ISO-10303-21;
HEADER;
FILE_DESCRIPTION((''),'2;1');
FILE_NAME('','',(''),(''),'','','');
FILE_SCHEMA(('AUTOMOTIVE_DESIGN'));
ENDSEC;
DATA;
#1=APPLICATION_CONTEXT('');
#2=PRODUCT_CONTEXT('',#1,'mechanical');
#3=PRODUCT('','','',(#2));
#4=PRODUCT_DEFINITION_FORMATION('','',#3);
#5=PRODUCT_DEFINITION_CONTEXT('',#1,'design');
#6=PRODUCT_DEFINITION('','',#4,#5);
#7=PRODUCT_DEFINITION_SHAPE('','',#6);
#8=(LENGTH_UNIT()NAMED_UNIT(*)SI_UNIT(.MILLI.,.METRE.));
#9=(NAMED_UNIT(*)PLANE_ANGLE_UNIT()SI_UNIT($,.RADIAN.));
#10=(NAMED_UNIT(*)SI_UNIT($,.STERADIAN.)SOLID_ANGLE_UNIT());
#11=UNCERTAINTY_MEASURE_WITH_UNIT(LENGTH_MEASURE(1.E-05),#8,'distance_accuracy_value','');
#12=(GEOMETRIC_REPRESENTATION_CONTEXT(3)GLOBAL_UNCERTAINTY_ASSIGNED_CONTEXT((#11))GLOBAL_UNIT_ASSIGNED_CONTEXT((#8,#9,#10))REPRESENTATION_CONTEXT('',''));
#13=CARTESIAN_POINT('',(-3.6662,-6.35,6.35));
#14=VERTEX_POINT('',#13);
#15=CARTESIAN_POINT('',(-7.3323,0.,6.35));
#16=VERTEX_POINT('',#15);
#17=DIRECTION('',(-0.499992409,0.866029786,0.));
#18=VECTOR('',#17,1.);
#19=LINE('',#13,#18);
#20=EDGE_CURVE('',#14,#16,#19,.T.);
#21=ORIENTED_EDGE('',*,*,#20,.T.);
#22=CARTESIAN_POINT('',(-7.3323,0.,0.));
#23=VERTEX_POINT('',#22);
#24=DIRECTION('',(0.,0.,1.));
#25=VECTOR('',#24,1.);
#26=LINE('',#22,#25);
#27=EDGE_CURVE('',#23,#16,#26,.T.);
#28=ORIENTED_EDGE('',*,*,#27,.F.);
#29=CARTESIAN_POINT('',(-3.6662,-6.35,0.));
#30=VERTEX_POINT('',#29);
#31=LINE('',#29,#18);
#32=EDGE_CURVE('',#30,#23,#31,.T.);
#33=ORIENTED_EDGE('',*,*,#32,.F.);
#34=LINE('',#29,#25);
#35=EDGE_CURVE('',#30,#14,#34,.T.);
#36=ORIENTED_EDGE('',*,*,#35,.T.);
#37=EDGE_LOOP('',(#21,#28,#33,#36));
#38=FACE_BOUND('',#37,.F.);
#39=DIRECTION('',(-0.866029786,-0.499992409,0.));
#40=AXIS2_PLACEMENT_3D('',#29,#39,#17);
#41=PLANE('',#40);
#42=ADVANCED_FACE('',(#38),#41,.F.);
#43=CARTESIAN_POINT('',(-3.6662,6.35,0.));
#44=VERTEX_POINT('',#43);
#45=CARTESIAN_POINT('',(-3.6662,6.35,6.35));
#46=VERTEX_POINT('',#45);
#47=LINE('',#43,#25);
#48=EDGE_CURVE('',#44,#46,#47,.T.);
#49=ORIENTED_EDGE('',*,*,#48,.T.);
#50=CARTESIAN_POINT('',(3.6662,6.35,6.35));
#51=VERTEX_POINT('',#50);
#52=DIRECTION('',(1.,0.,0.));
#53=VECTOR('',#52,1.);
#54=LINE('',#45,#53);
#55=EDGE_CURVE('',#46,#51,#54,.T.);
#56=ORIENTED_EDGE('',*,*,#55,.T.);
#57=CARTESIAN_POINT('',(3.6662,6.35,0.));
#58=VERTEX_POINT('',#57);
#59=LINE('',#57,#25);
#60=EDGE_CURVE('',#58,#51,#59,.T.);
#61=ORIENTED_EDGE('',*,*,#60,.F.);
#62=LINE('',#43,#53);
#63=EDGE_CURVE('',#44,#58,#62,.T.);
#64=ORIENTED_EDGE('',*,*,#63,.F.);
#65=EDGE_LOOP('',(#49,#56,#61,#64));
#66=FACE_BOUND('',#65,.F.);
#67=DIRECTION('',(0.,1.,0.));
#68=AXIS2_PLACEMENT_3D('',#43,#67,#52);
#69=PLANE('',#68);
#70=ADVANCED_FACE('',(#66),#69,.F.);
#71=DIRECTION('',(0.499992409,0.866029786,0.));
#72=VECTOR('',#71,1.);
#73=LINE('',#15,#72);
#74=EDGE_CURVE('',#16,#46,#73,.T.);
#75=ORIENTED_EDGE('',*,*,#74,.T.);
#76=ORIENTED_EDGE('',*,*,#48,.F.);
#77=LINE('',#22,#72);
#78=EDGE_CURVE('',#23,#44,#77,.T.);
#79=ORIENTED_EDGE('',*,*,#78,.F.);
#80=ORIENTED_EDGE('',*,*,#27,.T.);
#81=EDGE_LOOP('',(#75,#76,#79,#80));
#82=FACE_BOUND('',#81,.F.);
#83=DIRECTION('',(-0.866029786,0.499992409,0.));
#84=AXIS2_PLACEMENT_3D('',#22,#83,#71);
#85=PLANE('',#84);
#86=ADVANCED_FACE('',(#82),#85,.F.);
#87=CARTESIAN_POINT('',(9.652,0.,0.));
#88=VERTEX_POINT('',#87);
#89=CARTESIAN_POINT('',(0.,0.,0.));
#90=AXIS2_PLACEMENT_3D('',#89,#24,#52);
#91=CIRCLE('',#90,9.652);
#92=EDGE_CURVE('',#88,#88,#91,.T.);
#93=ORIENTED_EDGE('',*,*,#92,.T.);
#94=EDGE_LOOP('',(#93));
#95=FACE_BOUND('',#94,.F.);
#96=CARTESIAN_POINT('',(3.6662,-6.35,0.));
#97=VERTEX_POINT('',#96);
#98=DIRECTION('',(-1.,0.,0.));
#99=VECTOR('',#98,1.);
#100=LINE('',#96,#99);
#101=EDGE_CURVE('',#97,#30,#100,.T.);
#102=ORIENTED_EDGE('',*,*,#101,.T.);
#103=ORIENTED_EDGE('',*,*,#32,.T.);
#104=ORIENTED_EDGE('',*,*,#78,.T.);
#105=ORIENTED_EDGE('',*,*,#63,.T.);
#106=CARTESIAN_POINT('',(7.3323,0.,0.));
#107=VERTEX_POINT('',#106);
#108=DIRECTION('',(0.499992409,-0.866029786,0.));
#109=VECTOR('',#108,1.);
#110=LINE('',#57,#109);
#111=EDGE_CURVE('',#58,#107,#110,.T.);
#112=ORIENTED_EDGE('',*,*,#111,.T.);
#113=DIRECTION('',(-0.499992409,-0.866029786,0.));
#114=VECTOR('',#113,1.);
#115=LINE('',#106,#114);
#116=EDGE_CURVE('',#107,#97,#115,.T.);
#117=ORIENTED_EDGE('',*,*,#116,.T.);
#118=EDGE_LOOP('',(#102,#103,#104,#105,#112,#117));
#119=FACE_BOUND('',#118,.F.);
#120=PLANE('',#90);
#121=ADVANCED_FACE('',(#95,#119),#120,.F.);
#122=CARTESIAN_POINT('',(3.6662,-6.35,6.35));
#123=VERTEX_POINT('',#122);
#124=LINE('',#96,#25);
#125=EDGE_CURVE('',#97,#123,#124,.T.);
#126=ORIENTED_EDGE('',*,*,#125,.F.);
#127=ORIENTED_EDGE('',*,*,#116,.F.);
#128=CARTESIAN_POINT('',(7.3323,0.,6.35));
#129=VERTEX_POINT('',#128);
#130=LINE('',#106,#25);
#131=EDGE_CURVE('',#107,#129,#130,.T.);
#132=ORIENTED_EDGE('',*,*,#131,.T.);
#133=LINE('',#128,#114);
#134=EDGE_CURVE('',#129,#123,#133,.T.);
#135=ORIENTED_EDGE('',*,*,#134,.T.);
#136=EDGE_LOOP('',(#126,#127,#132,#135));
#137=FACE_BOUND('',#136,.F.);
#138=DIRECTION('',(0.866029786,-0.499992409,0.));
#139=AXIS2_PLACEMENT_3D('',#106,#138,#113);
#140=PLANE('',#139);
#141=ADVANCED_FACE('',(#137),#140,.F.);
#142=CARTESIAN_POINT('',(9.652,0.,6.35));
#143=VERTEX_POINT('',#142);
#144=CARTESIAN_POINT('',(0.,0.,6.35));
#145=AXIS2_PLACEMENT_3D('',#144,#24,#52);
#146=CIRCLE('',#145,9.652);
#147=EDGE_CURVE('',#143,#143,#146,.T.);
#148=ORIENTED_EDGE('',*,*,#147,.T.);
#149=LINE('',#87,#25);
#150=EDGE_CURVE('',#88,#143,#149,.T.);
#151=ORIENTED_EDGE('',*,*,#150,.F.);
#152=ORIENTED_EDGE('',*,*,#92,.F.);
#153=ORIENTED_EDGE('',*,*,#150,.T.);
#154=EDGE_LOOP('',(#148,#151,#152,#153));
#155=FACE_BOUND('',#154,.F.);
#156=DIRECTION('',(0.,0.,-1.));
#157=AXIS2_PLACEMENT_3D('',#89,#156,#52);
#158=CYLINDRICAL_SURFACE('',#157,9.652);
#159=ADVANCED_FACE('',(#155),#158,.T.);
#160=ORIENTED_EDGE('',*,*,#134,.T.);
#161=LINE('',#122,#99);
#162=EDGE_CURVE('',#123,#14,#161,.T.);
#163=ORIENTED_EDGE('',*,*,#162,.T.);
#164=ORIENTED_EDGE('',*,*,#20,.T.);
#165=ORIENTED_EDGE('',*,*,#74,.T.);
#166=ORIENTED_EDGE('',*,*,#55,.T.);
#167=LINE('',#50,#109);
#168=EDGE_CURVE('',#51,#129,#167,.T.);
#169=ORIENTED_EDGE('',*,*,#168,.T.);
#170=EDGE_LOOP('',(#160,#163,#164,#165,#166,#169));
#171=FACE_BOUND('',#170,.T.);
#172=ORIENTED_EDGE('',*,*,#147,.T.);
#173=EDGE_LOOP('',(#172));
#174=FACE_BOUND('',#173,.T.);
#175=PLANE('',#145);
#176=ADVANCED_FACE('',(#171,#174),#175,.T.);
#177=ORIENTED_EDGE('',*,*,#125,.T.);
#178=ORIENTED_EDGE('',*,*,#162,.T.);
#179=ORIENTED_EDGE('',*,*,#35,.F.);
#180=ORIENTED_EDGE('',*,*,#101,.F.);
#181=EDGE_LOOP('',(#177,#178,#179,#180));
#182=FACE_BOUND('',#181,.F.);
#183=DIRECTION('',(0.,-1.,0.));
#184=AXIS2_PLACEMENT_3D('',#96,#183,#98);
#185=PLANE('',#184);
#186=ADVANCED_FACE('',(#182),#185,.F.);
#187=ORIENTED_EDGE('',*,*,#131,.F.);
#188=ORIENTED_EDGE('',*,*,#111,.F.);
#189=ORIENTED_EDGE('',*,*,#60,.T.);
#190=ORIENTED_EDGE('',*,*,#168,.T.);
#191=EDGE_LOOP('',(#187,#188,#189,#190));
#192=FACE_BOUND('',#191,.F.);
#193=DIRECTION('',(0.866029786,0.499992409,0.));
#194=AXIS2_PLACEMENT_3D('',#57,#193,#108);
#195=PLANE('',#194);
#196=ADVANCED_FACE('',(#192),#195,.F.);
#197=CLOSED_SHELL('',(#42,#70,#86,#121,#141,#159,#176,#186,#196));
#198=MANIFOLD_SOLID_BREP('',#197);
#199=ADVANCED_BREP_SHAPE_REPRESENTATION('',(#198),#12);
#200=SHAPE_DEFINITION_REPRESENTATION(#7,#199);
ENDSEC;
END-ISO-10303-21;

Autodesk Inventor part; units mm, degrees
ref_plane "YZ Plane" through (0, 0, 0) normal (1, 0, 0) x (0, 1, 0)
ref_plane "XZ Plane" through (0, 0, 0) normal (0, 1, 0) x (-1, 0, 0)
ref_plane "XY Plane" through (0, 0, 0) normal (0, 0, 1) x (1, 0, 0)
sketch "Sketch1" plane through (0, 0, 0) normal (0, 0, 1) x (1, 0, 0)
  line L0 (7.3323, 0) -> (3.6662, -6.35)
  line L1 (3.6662, -6.35) -> (-3.6662, -6.35)
  line L2 (-3.6662, -6.35) -> (-7.3323, 0)
  line L3 (-7.3323, 0) -> (-3.6662, 6.35)
  line L4 (-3.6662, 6.35) -> (3.6662, 6.35)
  line L5 (3.6662, 6.35) -> (7.3323, 0)
  circle A0 centre (0, 0) radius 9.652
  point P0 (0, 0)
  point P1 (0, 0)
  dimension "d0" = 19.304
  dimension "d1" = 12.7
extrude "Extrusion1" add sketch "Sketch1" along normal blind 6.35
properties part number "0.25 Spacer"
